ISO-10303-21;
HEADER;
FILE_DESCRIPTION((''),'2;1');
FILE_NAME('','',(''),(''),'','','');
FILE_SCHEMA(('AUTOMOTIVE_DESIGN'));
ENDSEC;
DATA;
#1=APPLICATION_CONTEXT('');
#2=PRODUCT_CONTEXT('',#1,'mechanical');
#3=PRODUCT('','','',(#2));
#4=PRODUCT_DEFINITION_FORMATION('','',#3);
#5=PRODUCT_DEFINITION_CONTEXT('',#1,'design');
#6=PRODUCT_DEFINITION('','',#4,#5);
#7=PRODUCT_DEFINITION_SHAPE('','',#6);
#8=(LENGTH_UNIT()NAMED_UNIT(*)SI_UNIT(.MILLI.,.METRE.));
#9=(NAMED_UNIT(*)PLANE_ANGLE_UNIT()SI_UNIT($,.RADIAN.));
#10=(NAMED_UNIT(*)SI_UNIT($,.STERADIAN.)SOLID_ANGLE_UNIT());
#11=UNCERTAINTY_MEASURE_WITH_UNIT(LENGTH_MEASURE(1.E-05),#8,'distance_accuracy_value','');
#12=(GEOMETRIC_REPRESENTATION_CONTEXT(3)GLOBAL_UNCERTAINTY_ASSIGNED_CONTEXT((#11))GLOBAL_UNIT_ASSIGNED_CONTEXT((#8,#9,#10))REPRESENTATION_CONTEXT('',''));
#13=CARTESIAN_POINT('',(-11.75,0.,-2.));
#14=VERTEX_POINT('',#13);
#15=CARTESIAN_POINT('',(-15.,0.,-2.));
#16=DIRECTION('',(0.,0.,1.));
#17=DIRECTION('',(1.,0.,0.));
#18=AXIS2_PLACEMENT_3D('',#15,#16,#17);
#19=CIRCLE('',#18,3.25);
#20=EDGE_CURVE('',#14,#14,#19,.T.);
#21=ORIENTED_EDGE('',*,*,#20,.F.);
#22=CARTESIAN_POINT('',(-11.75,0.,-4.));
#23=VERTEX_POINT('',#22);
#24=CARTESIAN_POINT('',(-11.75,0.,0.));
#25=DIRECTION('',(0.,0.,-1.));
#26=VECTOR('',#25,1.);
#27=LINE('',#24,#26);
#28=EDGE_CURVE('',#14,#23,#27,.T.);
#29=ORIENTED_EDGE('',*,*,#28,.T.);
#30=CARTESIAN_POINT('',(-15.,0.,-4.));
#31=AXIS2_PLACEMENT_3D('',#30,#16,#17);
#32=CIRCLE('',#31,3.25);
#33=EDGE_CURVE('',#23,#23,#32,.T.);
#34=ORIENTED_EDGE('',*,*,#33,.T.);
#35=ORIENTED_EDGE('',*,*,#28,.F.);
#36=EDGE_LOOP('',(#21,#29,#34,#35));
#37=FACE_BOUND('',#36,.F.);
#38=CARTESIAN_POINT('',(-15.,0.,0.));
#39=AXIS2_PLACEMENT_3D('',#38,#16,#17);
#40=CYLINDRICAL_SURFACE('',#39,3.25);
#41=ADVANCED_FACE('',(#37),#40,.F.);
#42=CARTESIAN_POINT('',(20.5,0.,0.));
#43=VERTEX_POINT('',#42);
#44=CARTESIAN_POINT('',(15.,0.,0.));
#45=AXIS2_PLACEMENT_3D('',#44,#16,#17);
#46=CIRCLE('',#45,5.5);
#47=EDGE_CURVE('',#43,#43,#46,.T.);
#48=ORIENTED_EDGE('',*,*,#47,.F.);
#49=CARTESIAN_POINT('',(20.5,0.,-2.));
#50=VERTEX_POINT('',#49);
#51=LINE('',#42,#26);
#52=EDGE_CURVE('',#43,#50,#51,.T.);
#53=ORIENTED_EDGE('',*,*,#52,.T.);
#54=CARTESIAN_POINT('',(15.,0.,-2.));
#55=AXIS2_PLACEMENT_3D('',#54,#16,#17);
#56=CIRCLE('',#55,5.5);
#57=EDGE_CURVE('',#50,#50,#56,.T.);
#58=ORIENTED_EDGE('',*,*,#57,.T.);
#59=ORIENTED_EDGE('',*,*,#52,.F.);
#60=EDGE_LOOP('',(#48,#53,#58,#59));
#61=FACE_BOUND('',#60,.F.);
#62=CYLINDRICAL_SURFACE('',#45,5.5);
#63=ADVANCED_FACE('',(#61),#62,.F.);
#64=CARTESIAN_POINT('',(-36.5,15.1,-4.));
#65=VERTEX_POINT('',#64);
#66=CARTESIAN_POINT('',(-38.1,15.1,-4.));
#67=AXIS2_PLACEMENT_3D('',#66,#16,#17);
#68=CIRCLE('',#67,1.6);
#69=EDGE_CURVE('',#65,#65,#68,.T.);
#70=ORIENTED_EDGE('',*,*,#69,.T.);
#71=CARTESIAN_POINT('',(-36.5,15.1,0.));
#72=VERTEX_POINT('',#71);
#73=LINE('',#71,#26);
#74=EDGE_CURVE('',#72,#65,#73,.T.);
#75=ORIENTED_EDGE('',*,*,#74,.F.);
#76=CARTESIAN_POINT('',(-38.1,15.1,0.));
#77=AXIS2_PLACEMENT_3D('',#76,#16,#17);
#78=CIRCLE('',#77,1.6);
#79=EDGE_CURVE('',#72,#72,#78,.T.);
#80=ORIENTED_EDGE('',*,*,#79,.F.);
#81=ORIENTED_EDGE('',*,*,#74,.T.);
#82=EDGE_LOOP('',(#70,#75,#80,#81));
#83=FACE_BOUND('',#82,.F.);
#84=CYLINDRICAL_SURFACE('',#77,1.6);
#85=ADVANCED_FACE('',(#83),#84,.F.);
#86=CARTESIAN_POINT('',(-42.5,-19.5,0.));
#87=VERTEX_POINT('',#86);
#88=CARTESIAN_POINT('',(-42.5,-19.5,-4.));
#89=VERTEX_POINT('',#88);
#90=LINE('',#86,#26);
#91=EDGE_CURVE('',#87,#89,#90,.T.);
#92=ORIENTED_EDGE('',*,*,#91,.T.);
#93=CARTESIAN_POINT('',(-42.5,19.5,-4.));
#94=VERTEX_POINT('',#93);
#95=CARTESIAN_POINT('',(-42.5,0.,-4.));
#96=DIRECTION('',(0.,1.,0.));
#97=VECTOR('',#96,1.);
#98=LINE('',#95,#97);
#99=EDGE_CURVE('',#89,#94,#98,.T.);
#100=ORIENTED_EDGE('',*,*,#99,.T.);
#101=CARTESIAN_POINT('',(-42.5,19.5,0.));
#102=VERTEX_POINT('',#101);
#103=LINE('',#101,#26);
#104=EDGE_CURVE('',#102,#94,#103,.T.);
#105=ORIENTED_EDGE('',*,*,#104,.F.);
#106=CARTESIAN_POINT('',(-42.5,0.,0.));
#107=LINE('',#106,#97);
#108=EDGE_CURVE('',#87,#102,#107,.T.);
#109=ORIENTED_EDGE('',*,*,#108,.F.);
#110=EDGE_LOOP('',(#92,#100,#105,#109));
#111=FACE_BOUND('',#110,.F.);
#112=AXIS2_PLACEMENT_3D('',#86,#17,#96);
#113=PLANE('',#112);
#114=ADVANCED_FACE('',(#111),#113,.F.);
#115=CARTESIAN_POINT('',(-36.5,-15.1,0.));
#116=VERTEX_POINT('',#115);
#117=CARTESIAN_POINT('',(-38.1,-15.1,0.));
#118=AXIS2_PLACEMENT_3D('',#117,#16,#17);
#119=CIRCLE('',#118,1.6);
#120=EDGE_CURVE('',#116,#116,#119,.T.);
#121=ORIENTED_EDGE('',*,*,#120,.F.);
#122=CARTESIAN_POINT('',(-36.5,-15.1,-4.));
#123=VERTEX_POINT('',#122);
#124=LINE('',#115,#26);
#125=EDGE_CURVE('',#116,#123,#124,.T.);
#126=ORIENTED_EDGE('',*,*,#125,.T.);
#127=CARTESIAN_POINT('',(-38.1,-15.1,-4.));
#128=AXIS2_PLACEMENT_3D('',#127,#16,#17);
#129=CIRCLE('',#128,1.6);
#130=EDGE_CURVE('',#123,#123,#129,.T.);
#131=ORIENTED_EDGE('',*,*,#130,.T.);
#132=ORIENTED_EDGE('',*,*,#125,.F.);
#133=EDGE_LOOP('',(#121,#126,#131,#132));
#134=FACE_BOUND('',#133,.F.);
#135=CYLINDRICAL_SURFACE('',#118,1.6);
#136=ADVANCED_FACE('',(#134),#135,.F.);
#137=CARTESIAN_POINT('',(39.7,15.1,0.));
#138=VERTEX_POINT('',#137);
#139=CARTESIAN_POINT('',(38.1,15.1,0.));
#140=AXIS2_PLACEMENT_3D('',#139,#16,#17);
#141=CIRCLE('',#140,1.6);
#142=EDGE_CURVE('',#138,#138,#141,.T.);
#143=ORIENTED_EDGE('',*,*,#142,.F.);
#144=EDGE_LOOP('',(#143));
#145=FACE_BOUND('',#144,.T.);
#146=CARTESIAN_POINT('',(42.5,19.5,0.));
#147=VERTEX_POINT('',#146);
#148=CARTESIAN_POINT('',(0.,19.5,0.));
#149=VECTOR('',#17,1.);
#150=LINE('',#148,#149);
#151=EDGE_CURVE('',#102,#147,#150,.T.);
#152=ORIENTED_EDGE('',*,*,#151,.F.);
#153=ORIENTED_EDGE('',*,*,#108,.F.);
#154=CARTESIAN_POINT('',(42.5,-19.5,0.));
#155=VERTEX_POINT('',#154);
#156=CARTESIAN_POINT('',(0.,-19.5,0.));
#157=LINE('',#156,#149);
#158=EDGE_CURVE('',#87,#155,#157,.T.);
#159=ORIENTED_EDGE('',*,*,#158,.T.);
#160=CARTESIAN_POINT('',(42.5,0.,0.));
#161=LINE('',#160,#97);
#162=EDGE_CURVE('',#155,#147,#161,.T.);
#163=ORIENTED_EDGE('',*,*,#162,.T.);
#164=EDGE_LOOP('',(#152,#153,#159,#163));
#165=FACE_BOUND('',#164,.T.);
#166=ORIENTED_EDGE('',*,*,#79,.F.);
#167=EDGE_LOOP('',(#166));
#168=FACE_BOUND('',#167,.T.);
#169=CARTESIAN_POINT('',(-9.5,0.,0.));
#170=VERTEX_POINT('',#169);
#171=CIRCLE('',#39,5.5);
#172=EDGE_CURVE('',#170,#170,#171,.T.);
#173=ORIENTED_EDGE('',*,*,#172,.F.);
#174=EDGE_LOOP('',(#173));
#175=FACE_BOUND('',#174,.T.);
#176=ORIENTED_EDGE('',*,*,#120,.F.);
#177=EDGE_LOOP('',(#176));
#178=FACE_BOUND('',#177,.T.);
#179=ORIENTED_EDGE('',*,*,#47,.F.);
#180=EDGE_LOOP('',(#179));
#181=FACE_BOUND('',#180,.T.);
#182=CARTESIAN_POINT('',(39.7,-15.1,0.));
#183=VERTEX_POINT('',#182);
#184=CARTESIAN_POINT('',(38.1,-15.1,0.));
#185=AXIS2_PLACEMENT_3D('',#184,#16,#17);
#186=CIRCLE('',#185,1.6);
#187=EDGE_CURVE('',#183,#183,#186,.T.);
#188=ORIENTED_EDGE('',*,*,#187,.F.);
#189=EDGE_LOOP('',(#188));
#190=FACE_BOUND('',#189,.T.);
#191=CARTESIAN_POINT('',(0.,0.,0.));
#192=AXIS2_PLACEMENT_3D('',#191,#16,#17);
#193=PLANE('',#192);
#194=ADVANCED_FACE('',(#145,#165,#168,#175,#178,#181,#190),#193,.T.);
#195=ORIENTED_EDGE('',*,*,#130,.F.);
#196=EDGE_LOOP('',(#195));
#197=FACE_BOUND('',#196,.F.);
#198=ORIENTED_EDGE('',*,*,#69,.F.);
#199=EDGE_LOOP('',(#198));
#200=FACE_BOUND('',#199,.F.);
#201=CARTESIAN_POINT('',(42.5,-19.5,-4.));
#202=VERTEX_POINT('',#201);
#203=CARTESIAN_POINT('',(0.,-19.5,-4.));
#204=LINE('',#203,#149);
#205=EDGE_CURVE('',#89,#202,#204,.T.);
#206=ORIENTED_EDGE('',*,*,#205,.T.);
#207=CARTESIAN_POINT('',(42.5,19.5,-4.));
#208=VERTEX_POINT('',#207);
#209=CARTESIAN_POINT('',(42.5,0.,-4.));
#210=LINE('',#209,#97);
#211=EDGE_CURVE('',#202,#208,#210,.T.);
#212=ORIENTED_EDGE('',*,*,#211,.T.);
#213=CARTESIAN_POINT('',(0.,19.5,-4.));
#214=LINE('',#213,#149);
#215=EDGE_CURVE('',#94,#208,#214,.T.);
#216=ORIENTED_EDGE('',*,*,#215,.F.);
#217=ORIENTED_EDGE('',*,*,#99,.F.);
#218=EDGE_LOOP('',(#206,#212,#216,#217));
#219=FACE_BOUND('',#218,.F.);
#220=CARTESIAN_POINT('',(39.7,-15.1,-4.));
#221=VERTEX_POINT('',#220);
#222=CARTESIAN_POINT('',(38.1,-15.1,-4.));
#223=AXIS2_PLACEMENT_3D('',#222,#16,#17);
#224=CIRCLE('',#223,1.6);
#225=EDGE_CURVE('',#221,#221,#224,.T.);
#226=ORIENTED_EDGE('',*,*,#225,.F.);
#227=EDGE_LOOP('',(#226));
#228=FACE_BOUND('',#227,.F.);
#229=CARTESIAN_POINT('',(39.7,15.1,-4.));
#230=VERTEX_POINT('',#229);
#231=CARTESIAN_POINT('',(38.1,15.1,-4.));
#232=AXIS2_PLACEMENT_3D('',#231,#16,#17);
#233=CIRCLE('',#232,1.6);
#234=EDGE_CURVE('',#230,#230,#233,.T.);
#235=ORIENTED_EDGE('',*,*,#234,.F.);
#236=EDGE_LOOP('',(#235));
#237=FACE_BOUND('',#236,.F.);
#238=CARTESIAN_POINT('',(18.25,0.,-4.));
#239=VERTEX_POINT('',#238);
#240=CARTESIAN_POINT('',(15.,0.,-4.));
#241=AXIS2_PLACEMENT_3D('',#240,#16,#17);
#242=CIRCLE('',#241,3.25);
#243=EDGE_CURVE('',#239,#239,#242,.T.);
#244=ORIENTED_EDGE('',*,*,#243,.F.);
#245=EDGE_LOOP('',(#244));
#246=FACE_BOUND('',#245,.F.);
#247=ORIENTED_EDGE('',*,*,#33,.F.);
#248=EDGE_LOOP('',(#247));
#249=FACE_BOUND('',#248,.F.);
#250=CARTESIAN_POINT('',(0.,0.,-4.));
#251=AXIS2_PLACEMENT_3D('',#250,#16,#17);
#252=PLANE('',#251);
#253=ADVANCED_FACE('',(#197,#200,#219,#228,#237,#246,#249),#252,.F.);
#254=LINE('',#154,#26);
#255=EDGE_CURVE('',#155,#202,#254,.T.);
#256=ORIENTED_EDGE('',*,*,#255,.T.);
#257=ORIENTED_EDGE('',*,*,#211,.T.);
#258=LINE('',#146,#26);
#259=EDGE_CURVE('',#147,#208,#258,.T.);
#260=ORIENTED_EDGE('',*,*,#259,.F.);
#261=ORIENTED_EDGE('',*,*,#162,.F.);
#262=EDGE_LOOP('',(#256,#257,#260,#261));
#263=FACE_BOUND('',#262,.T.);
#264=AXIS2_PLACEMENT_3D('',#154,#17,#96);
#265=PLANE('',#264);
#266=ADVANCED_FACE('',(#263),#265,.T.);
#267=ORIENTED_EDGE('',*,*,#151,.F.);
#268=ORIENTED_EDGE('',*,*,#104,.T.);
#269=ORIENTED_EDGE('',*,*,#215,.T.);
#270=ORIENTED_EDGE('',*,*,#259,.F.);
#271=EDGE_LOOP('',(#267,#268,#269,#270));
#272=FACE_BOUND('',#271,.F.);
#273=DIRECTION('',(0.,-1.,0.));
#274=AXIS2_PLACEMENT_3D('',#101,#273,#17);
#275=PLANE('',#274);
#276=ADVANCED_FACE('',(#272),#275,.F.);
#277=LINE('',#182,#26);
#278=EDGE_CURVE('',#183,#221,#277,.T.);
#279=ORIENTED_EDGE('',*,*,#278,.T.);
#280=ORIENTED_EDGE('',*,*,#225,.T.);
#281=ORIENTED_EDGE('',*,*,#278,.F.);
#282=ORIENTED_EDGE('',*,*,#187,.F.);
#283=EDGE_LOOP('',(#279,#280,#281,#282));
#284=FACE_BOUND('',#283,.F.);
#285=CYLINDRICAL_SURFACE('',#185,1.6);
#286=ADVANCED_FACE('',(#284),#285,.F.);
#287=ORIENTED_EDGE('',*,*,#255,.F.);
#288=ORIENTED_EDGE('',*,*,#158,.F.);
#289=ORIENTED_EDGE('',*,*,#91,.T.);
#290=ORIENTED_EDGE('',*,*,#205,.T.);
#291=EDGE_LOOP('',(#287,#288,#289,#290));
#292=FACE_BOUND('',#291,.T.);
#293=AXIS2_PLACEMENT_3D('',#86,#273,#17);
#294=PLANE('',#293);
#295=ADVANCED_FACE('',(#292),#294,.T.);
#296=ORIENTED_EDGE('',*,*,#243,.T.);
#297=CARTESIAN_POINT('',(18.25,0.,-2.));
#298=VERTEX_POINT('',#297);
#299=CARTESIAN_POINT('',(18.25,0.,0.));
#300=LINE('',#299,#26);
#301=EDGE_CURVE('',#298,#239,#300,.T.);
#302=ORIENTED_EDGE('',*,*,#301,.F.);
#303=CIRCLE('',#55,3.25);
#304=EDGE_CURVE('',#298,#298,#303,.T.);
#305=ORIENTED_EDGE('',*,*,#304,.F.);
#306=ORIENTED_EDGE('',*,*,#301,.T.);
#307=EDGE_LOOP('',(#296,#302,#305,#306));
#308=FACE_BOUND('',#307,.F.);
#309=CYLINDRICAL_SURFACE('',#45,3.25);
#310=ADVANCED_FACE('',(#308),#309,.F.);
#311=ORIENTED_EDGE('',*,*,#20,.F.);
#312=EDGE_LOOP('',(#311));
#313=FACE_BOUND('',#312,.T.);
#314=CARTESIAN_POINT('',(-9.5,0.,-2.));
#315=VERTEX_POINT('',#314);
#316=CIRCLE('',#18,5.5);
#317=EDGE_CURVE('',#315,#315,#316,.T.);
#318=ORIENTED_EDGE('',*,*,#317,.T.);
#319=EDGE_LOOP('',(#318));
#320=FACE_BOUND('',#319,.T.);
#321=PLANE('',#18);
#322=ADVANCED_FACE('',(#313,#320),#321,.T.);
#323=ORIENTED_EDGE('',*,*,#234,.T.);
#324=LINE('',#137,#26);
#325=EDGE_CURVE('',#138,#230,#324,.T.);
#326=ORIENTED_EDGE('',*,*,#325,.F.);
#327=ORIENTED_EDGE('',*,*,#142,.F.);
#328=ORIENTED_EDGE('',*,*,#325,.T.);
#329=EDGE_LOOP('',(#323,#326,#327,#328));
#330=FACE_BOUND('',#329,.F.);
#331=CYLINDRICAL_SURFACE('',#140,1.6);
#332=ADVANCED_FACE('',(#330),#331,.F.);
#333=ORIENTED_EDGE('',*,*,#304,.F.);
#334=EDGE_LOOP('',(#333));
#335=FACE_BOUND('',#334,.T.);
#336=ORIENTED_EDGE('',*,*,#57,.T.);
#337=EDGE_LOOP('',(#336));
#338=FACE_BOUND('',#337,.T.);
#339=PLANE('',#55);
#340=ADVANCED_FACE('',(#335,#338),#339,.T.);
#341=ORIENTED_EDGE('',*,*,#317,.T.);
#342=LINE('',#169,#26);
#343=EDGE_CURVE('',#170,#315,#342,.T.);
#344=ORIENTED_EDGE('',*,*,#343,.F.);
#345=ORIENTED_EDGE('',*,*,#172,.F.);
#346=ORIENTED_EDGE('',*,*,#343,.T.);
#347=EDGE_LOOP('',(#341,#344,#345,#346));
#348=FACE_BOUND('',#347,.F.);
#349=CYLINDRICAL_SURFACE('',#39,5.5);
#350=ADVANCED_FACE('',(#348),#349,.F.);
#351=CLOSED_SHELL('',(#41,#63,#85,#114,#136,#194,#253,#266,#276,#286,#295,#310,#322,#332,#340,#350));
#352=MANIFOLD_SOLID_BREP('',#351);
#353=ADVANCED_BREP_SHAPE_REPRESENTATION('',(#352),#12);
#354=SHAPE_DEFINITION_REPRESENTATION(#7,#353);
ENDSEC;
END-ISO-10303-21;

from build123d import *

# Parameters (mm, degrees)
SKETCH003_W     = 85
SKETCH003_H     = 39
PAD001_DEPTH    = 4
SKETCH007_R     = 1.6
SKETCH007_R_2   = 3.25
POCKET003_DEPTH = 5
SKETCH008_R     = 5.5
POCKET004_DEPTH = 2


with BuildPart() as part:
    # Sketch003 → Pad001 (new body)
    with BuildSketch(Plane.XY):
        Rectangle(SKETCH003_W, SKETCH003_H)
    extrude(amount=-PAD001_DEPTH)

    # Sketch007 → Pocket003 (cut)
    with BuildSketch(Plane.XY):
        with Locations((-38.1, 15.1)):
            Circle(SKETCH007_R)
        with Locations((-38.1, -15.1)):
            Circle(SKETCH007_R)
        with Locations((38.1, -15.1)):
            Circle(SKETCH007_R)
        with Locations((38.1, 15.1)):
            Circle(SKETCH007_R)
        with Locations((-15, 0)):
            Circle(SKETCH007_R_2)
        with Locations((15, 0)):
            Circle(SKETCH007_R_2)
    extrude(amount=-POCKET003_DEPTH, mode=Mode.SUBTRACT)

    # Sketch008 → Pocket004 (cut)
    with BuildSketch(Plane.XY):
        with Locations((-15, 0)):
            Circle(SKETCH008_R)
        with Locations((15, 0)):
            Circle(SKETCH008_R)
    extrude(amount=-POCKET004_DEPTH, mode=Mode.SUBTRACT)


solid = part.part
